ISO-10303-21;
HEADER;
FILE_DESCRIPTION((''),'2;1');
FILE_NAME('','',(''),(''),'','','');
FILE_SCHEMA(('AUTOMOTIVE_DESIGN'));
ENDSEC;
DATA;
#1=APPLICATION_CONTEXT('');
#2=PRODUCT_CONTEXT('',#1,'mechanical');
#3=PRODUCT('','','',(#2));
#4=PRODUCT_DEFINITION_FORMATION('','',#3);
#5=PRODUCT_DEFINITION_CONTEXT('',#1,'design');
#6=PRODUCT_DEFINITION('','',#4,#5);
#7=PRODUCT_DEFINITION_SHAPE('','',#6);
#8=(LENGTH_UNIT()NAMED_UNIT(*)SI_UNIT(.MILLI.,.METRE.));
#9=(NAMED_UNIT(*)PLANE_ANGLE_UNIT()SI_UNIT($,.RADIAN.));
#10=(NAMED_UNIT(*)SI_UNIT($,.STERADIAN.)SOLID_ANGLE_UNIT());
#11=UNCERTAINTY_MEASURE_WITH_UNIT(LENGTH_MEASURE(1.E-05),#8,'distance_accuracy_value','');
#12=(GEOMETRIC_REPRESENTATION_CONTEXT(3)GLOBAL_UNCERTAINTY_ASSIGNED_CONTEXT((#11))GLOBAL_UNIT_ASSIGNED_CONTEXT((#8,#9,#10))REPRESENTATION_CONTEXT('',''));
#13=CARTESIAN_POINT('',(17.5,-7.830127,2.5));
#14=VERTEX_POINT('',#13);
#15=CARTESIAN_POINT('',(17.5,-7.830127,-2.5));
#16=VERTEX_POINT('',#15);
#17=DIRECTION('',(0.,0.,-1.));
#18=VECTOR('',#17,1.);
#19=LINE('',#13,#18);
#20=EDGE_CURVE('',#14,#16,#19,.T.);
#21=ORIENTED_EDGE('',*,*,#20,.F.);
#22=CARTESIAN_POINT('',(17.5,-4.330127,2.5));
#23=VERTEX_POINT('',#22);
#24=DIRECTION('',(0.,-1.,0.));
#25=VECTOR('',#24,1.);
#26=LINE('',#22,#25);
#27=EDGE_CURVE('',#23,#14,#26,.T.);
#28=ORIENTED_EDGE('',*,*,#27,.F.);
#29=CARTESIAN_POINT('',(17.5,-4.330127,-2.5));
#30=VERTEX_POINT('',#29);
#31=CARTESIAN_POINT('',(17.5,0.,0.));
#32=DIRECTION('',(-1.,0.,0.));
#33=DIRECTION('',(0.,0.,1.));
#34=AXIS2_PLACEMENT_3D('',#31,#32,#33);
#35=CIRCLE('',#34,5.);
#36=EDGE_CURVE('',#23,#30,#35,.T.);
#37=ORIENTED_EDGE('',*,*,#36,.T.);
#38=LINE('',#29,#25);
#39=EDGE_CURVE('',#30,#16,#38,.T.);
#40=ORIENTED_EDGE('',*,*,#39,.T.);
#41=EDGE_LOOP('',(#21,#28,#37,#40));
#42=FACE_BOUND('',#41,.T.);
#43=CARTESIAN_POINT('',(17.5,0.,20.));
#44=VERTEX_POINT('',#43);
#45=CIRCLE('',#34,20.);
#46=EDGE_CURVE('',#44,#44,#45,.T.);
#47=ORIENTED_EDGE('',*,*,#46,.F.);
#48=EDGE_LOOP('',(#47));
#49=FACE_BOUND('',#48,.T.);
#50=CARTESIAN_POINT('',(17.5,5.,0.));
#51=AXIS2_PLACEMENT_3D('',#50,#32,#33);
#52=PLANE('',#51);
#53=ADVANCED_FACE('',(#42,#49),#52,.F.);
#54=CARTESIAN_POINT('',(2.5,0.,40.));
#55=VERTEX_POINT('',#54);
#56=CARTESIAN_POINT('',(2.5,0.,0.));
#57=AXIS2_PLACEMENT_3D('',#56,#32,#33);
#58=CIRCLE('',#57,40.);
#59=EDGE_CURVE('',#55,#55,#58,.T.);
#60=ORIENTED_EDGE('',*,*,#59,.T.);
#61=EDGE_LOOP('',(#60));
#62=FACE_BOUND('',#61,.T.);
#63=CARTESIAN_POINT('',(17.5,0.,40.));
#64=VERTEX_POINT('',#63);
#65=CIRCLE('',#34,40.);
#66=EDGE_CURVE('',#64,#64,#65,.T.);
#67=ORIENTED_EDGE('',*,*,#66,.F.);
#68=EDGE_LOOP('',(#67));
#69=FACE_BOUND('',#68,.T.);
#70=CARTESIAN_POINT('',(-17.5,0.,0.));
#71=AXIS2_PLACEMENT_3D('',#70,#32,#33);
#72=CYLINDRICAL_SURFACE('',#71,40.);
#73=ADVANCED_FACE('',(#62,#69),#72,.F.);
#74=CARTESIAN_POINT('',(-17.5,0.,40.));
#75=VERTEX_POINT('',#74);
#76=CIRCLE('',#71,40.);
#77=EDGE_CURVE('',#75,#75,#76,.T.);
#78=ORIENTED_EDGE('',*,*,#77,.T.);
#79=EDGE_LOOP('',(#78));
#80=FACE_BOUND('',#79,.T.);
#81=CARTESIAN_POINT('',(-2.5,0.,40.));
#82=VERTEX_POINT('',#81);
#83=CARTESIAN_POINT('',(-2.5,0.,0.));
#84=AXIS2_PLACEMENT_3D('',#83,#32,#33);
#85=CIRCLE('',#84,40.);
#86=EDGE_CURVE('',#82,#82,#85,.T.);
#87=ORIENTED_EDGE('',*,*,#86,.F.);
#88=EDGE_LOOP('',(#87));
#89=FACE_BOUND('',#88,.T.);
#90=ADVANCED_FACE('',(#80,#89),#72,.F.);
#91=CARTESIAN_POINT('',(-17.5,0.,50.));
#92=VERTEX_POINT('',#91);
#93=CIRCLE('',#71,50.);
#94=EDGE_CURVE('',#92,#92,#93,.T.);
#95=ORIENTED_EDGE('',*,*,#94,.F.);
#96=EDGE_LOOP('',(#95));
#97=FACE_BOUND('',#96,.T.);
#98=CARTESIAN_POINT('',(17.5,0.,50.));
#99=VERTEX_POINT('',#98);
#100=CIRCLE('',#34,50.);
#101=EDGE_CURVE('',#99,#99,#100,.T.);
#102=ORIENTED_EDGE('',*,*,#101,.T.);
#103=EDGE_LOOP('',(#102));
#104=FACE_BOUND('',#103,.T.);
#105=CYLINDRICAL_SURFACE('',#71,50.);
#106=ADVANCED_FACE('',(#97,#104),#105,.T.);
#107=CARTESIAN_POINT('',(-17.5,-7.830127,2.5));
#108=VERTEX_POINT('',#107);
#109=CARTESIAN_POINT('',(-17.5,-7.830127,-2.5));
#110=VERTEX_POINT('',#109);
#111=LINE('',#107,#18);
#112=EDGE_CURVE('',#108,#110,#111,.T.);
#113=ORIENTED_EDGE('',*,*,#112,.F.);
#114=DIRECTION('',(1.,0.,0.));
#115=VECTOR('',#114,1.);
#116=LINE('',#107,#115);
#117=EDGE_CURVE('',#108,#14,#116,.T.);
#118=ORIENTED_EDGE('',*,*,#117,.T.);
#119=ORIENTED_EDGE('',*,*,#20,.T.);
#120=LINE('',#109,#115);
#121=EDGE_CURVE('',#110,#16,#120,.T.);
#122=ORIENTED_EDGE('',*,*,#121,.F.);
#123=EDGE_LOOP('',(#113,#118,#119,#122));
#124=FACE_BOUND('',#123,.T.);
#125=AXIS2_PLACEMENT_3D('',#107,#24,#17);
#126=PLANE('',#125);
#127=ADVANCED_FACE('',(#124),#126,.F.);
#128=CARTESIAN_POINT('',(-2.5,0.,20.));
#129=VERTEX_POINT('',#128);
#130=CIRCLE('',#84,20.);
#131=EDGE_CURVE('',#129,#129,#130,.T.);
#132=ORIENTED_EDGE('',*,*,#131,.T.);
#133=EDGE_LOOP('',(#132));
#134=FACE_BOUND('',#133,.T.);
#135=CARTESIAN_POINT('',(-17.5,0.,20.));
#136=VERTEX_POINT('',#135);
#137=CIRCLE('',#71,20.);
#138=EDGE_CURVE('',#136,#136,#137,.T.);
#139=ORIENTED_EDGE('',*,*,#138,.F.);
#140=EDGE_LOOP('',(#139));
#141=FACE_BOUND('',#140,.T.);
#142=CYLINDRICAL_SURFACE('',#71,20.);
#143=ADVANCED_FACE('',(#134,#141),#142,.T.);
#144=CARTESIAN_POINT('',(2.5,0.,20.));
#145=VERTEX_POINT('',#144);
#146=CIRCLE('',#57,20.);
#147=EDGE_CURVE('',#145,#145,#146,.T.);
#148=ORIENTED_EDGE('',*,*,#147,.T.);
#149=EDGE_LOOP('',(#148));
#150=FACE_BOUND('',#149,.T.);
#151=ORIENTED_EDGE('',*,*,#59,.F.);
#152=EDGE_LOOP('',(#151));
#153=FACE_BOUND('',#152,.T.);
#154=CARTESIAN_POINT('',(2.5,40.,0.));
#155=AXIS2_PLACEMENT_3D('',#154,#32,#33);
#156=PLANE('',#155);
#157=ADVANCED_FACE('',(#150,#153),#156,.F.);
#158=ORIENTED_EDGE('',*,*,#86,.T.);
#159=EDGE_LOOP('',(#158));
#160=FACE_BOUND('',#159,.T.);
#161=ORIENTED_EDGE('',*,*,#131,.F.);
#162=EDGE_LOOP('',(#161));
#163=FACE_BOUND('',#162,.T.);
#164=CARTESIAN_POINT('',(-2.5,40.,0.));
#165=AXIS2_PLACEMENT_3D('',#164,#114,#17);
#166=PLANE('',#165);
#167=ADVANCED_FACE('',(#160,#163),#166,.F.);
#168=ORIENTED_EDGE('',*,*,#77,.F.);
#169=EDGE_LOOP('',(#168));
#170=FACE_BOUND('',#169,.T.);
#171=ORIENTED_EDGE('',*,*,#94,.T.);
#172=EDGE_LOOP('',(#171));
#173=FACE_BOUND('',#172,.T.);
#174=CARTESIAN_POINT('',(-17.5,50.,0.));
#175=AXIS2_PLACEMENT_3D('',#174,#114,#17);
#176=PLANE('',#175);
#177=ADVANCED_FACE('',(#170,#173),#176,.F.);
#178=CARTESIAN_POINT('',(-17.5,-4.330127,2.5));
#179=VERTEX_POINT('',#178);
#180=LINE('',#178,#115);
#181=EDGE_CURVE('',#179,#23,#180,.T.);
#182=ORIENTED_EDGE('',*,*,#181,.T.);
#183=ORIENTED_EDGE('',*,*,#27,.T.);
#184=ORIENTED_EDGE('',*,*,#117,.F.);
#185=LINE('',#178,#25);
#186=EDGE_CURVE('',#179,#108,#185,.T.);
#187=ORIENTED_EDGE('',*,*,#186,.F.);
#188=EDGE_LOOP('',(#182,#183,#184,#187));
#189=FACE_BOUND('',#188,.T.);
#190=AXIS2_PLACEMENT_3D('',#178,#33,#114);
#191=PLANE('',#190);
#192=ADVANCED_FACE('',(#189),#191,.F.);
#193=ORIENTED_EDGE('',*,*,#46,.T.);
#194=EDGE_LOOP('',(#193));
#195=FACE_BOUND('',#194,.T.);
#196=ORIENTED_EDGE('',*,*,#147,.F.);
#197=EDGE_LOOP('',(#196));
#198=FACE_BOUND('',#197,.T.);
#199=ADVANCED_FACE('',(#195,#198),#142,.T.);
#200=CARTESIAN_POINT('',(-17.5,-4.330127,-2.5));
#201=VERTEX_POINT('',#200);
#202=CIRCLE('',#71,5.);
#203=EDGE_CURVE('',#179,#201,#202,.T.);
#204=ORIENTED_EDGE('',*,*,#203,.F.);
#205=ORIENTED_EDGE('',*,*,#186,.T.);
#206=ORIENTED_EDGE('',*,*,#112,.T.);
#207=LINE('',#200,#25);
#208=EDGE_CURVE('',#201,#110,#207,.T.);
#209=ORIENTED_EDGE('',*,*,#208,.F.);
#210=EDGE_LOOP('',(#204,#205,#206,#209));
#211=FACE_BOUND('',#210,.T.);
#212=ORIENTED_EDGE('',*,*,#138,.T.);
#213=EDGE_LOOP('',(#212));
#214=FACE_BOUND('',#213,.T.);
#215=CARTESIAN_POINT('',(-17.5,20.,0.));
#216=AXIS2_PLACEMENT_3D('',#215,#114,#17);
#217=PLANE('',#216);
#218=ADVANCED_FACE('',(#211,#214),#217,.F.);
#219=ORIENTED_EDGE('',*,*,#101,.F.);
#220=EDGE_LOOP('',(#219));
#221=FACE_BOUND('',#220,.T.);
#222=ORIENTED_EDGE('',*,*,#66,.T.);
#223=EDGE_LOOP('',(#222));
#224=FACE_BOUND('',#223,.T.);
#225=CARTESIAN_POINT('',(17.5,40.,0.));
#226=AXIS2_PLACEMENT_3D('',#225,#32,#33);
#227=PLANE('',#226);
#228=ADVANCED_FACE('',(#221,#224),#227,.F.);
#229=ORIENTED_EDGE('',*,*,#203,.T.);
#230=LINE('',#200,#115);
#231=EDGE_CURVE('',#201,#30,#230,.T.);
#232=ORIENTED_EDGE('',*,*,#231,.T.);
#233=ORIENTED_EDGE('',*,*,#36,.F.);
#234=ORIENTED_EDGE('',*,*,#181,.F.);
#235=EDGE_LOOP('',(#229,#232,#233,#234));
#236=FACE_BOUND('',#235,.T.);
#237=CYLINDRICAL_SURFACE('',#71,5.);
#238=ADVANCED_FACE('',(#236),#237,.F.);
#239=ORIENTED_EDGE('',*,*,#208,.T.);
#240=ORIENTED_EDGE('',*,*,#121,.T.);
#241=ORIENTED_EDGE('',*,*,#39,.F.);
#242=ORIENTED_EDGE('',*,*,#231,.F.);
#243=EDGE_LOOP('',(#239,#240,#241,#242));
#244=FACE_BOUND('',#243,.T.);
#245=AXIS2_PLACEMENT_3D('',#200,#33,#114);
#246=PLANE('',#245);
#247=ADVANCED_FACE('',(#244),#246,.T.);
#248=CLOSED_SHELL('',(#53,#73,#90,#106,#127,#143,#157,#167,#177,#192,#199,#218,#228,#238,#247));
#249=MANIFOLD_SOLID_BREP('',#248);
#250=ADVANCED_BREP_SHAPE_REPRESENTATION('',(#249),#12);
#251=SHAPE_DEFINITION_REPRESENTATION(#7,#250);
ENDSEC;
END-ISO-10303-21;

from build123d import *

# Parameters (mm, degrees)
CUT_EXTRUDE1_DEPTH = 79.89866919


with BuildPart() as part:
    # Sketch1 → Revolve1 (revolve)
    with BuildSketch(Plane.XY, mode=Mode.PRIVATE) as revolve1_sk:
        Polygon((-17.5, 5), (17.5, 5), (17.5, 20), (2.5, 20), (2.5, 40), (17.5, 40), (17.5, 50), (-17.5, 50), (-17.5, 40), (-2.5, 40), (-2.5, 20), (-17.5, 20), align=None)
    revolve(revolve1_sk.sketch.rotate(Axis((-17.5, 0, 0), (1, 0, 0)), 90), axis=Axis((-17.5, 0, 0), (1, 0, 0)))

    # Sketch2 → Cut-Extrude1 (cut, through all)
    with BuildSketch(Plane(origin=(17.5, 0, 0), x_dir=(0, 0, -1), z_dir=(1, 0, 0))):
        with BuildLine():
            Line((2.5, -4.330127019), (2.5, -7.830127019))
            Line((2.5, -7.830127019), (-2.5, -7.830127019))
            Line((-2.5, -7.830127019), (-2.5, -4.330127019))
            ThreePointArc((-2.5, -4.330127019), (0, -5), (2.5, -4.330127019))
        make_face()
    extrude(amount=-CUT_EXTRUDE1_DEPTH, mode=Mode.SUBTRACT)


solid = part.part
